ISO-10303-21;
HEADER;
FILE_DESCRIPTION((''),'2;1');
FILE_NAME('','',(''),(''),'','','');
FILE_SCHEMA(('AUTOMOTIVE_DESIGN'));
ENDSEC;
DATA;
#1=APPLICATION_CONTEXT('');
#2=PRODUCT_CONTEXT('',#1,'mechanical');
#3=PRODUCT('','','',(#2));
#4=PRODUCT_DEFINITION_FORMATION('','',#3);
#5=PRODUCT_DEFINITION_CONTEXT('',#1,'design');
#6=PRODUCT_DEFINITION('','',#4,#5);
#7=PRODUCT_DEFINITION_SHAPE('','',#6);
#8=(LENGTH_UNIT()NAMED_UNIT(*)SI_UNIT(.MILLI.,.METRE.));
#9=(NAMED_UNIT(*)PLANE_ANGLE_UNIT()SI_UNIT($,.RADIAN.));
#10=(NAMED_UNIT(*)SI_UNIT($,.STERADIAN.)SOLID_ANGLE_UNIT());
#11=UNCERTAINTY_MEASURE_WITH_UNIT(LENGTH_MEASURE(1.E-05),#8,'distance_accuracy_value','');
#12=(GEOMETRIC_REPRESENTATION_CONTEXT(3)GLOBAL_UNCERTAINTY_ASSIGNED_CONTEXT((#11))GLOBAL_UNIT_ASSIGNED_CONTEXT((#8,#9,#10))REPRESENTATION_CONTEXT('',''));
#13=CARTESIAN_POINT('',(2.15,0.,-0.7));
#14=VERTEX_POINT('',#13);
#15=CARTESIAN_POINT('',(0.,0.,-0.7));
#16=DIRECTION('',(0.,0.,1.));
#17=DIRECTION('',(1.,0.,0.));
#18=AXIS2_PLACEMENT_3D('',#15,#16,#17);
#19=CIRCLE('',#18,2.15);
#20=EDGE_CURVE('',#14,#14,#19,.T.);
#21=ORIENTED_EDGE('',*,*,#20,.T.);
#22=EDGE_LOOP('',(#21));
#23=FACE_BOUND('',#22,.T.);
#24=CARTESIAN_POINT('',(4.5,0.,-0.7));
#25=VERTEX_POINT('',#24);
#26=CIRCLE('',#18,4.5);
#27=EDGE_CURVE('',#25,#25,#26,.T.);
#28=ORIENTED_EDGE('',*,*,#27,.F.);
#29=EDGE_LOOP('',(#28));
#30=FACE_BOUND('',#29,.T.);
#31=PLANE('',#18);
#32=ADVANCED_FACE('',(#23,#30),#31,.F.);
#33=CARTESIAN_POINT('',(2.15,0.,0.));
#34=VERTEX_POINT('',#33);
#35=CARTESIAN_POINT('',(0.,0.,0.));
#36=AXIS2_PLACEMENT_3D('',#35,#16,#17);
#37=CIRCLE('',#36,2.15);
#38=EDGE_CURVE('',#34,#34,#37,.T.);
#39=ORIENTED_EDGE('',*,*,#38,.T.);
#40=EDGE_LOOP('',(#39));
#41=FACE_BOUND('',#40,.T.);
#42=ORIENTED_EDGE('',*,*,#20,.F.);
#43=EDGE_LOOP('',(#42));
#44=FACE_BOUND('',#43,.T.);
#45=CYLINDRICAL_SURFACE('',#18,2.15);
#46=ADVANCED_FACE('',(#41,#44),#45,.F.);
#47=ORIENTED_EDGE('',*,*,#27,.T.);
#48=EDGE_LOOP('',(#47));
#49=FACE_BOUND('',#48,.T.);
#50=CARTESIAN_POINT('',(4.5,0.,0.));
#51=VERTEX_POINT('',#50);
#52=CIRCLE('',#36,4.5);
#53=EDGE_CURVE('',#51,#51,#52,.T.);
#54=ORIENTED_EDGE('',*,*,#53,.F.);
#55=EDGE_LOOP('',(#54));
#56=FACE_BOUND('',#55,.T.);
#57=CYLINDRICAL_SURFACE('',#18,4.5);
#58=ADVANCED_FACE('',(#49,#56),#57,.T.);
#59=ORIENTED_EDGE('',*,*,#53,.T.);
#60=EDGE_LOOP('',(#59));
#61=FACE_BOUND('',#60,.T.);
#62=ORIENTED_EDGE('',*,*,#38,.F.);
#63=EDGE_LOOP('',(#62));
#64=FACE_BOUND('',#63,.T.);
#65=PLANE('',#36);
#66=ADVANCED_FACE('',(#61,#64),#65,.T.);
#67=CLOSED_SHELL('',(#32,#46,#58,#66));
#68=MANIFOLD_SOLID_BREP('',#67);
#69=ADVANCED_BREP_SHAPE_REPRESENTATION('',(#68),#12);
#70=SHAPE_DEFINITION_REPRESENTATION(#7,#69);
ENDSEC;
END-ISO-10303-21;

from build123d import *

# Parameters (mm, degrees)
SKETCH1_R      = 4.5
SKETCH1_R_2    = 2.15
EXTRUDE1_DEPTH = 0.7


with BuildPart() as part:
    # Sketch1 → Extrude1 (new body)
    with BuildSketch(Plane.XY):
        Circle(SKETCH1_R)
        Circle(SKETCH1_R_2, mode=Mode.SUBTRACT)
    extrude(amount=-EXTRUDE1_DEPTH)


solid = part.part
